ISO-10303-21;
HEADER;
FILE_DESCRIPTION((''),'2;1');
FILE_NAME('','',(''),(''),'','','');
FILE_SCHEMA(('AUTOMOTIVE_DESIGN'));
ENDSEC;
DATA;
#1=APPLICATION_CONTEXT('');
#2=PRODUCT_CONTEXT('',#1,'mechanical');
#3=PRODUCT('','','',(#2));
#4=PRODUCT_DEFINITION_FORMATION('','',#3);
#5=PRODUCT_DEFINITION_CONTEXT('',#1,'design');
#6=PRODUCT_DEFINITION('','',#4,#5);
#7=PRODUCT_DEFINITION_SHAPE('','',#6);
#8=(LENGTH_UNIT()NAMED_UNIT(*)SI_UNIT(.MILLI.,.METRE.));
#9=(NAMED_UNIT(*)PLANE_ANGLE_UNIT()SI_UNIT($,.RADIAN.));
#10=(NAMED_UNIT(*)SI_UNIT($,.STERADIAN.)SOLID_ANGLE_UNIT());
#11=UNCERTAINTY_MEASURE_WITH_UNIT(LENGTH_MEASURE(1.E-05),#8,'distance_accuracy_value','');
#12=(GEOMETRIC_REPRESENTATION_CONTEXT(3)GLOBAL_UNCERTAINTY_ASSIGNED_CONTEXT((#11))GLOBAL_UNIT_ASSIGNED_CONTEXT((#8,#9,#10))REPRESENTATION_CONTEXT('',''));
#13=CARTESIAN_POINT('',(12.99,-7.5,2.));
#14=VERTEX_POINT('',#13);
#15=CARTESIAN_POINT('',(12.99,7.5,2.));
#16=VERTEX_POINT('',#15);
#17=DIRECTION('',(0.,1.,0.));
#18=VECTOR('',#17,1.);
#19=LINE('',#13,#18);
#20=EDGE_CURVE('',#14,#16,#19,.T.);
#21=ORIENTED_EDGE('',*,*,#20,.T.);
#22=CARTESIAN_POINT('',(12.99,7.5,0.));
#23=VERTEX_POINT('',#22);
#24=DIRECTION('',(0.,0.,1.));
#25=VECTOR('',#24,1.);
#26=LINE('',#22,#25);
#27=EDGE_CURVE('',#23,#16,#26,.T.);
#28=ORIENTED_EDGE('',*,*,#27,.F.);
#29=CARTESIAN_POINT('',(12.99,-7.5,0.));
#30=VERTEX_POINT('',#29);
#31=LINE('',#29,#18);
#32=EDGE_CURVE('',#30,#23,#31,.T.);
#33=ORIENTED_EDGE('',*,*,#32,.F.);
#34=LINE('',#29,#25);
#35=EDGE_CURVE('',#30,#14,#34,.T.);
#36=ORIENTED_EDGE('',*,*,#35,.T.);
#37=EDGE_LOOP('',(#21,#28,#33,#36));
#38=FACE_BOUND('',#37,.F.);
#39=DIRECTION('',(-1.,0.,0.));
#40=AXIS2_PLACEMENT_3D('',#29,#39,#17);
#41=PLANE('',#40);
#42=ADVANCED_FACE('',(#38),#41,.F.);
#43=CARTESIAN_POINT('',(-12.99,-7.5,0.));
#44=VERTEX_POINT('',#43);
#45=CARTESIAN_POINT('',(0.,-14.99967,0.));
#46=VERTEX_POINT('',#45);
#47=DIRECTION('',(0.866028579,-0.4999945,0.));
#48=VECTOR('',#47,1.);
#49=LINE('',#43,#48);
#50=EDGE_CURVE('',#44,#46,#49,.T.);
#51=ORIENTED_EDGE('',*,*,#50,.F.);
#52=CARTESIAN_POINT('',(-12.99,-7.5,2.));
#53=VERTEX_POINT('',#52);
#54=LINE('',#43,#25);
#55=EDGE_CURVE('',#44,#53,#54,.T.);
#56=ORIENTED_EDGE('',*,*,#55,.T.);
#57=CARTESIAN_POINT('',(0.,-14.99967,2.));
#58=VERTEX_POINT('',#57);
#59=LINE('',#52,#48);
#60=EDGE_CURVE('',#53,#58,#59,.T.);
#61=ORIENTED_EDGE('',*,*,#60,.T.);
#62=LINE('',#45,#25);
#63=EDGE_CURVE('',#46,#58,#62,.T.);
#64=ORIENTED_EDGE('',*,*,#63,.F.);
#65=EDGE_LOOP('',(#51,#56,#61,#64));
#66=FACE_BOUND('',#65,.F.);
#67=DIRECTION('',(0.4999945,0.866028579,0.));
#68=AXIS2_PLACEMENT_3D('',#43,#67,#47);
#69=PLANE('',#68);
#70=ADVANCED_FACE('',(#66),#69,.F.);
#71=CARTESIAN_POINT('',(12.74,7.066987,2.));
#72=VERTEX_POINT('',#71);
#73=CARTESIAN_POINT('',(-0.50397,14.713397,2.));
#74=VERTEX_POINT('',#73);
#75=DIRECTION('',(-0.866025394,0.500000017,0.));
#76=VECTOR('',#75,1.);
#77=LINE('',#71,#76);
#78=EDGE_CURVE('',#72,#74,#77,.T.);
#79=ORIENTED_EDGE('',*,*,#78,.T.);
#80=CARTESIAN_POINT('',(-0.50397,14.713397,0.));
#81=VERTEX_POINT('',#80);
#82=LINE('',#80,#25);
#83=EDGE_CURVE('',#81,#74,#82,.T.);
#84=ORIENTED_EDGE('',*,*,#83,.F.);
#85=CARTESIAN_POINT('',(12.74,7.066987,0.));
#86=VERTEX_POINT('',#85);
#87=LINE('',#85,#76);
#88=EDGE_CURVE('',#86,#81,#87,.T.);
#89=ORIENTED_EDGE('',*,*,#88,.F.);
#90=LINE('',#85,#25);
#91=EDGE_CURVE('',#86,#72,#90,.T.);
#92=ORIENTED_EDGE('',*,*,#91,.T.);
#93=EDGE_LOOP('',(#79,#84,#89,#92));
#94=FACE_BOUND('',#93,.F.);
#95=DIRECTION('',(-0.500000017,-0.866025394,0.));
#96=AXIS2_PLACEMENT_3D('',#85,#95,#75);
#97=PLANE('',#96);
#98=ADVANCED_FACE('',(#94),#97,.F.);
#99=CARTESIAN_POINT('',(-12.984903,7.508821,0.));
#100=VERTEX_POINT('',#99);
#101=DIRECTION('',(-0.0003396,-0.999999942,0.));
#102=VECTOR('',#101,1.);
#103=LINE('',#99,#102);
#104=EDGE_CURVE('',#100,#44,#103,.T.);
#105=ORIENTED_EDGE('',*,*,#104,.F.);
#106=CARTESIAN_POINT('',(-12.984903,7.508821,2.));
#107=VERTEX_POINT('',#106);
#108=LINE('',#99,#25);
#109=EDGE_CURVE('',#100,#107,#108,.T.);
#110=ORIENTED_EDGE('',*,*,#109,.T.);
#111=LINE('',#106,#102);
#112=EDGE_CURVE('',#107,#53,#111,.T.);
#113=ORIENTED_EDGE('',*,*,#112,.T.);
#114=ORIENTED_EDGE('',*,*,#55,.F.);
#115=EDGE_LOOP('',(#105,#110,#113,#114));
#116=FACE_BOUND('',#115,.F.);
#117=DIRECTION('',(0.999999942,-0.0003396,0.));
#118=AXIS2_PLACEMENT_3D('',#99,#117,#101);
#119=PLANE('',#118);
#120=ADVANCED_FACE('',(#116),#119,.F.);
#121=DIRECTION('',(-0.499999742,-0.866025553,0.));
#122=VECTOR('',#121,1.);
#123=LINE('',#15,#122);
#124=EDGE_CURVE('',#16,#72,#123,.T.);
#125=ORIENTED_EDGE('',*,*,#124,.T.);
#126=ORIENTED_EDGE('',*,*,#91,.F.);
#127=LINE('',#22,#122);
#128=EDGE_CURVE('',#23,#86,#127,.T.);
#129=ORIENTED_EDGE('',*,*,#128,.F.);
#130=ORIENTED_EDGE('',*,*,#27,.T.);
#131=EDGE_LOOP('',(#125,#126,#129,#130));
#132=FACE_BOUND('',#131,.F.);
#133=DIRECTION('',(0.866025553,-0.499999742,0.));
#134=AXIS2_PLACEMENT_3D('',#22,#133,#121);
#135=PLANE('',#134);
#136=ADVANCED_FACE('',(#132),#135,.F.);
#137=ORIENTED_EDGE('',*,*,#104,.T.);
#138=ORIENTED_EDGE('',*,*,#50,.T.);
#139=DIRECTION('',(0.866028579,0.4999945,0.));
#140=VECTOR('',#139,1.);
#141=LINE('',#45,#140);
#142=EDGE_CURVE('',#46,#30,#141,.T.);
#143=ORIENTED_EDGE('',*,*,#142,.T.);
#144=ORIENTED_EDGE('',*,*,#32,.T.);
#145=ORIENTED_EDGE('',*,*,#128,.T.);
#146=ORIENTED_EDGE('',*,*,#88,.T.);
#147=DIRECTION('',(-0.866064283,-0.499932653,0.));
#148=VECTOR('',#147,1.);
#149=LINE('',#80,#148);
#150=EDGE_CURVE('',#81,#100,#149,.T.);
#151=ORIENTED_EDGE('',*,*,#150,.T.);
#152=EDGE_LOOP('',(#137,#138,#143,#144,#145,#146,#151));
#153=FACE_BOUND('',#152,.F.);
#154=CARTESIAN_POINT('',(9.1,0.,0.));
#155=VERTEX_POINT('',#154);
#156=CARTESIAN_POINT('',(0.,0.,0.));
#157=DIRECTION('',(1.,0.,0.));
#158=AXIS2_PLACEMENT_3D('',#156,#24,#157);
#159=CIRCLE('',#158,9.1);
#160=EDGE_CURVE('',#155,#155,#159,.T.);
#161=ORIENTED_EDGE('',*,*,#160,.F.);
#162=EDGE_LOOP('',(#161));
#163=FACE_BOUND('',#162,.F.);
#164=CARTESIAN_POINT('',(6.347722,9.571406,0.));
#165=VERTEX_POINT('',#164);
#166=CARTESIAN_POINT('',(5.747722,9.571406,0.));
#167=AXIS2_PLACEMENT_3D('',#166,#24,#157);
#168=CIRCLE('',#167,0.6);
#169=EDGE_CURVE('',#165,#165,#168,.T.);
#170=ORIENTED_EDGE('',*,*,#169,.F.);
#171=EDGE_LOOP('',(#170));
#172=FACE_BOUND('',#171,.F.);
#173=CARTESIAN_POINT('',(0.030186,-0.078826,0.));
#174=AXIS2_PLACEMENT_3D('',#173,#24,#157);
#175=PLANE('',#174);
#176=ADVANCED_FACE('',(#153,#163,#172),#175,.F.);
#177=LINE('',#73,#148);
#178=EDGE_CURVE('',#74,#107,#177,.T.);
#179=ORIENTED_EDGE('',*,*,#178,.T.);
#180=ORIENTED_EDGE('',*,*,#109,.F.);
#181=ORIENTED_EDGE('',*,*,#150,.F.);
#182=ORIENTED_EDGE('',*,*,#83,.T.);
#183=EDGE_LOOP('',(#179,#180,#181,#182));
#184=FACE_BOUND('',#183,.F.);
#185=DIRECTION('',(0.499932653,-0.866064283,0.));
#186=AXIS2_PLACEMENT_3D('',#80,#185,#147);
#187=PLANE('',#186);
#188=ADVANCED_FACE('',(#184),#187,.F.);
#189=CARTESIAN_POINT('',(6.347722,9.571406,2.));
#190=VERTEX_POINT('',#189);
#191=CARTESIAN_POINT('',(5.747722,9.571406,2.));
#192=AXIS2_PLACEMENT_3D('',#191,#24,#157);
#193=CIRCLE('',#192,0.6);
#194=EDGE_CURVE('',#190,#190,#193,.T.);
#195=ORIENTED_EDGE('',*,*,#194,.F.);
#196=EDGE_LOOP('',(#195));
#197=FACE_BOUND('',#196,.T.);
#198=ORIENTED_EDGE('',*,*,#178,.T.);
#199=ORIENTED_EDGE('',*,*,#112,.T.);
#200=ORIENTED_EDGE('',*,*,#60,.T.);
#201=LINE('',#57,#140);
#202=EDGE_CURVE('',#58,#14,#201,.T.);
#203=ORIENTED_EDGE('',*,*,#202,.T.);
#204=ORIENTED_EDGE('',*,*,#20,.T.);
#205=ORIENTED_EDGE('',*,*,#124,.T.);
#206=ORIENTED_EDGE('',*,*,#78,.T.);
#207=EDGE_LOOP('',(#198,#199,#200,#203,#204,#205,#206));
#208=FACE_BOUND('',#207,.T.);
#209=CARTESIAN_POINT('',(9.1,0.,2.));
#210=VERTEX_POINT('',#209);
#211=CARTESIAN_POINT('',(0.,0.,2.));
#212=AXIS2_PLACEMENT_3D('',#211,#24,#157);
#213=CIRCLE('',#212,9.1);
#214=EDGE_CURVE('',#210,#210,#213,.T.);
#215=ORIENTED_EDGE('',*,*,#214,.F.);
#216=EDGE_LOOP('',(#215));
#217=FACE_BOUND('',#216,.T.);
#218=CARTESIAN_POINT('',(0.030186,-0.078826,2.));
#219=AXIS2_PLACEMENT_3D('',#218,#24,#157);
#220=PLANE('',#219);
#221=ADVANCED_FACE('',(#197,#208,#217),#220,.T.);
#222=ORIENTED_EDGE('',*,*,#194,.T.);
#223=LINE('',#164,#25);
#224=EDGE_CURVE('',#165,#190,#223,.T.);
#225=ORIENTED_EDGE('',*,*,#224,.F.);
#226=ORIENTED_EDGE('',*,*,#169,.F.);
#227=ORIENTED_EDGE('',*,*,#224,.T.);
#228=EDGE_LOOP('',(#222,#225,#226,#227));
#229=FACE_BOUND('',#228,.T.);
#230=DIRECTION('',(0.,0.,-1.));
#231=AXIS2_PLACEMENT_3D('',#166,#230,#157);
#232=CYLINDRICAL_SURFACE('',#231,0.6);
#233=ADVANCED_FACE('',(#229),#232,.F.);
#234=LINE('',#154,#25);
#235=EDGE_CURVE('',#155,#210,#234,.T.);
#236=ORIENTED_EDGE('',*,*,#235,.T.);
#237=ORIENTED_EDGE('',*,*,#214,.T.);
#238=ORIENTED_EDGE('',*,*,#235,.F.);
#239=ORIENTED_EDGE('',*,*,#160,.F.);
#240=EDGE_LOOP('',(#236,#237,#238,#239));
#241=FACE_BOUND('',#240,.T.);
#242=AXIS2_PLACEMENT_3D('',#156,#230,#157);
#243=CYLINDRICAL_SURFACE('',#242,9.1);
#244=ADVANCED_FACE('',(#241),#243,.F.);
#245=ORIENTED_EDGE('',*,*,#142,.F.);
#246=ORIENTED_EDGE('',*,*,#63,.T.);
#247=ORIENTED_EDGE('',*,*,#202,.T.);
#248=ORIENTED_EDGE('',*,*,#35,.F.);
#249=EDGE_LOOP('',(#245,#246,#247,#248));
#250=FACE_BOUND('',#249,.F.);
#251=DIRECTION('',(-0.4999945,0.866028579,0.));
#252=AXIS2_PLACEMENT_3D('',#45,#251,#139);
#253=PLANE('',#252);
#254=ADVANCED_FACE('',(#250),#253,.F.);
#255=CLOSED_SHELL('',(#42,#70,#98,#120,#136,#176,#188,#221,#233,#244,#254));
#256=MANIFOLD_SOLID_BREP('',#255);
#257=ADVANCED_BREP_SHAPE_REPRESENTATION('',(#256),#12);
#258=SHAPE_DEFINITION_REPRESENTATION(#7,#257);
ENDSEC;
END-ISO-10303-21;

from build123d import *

# Parameters (mm, degrees)
SKETCH_R   = 9.1
SKETCH_R_2 = 0.6
PAD_DEPTH  = 2


with BuildPart() as part:
    # Sketch → Pad (new body)
    with BuildSketch(Plane.XY):
        Polygon((-0.50397, 14.713397), (-12.984903, 7.508821), (-12.99, -7.5), (0, -14.99967), (12.99, -7.5), (12.99, 7.5), (12.74, 7.066987), align=None)
        Circle(SKETCH_R, mode=Mode.SUBTRACT)
        with Locations((5.747722, 9.571406)):
            Circle(SKETCH_R_2, mode=Mode.SUBTRACT)
    extrude(amount=PAD_DEPTH)


solid = part.part
